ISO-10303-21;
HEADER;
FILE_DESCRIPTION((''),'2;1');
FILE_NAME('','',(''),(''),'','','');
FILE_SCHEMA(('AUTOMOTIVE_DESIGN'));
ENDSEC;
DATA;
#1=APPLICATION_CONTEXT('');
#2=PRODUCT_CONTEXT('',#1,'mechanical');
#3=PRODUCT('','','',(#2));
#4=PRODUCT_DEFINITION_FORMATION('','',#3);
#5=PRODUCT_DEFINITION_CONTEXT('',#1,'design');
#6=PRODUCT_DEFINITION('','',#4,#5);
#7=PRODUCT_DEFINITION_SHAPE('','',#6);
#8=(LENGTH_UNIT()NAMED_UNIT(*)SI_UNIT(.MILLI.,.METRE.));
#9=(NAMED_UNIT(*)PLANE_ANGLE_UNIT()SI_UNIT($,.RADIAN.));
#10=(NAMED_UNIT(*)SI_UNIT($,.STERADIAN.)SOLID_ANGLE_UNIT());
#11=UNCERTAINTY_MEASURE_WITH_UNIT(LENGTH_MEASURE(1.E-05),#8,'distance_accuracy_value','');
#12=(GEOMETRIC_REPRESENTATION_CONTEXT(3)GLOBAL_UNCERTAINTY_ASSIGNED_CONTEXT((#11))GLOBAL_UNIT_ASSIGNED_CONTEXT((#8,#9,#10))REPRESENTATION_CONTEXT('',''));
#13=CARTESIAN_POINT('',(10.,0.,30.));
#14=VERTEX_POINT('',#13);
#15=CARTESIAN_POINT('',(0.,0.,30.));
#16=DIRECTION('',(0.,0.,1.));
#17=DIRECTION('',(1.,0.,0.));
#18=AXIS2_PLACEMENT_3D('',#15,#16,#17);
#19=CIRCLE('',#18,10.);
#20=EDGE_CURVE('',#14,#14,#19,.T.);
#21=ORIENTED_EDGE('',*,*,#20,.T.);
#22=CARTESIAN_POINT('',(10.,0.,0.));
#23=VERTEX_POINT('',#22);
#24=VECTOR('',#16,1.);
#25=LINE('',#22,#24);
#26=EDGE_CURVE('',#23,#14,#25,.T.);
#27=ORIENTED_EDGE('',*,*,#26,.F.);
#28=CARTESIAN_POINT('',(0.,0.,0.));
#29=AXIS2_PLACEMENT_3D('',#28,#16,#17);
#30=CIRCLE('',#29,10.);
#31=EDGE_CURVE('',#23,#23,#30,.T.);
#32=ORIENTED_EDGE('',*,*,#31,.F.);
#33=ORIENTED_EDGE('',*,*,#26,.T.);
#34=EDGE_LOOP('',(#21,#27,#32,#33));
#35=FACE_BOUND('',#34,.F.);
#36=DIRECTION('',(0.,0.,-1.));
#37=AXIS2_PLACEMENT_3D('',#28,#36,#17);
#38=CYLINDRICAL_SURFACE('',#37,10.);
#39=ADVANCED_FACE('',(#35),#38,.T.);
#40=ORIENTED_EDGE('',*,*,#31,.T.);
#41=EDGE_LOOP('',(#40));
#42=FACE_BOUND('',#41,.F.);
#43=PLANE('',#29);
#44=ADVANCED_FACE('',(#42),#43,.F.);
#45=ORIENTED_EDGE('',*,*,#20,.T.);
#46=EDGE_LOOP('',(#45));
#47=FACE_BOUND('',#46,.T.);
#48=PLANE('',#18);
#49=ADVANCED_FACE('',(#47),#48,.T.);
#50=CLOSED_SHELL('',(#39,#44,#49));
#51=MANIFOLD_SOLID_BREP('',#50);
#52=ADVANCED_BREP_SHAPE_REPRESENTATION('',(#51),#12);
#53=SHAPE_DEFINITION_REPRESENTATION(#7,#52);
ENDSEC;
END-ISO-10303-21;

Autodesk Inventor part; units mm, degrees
ref_plane "YZ Plane" through (0, 0, 0) normal (1, 0, 0) x (0, 1, 0)
ref_plane "XZ Plane" through (0, 0, 0) normal (0, 1, 0) x (-1, 0, 0)
ref_plane "XY Plane" through (0, 0, 0) normal (0, 0, 1) x (1, 0, 0)
sketch "Sketch1" plane through (0, 0, 0) normal (0, 0, 1) x (1, 0, 0)
  circle A0 centre (0, 0) radius 10
  dimension "d0" = 20
extrude "Extrusion1" add sketch "Sketch1" along normal blind 30
properties part number "pin"
